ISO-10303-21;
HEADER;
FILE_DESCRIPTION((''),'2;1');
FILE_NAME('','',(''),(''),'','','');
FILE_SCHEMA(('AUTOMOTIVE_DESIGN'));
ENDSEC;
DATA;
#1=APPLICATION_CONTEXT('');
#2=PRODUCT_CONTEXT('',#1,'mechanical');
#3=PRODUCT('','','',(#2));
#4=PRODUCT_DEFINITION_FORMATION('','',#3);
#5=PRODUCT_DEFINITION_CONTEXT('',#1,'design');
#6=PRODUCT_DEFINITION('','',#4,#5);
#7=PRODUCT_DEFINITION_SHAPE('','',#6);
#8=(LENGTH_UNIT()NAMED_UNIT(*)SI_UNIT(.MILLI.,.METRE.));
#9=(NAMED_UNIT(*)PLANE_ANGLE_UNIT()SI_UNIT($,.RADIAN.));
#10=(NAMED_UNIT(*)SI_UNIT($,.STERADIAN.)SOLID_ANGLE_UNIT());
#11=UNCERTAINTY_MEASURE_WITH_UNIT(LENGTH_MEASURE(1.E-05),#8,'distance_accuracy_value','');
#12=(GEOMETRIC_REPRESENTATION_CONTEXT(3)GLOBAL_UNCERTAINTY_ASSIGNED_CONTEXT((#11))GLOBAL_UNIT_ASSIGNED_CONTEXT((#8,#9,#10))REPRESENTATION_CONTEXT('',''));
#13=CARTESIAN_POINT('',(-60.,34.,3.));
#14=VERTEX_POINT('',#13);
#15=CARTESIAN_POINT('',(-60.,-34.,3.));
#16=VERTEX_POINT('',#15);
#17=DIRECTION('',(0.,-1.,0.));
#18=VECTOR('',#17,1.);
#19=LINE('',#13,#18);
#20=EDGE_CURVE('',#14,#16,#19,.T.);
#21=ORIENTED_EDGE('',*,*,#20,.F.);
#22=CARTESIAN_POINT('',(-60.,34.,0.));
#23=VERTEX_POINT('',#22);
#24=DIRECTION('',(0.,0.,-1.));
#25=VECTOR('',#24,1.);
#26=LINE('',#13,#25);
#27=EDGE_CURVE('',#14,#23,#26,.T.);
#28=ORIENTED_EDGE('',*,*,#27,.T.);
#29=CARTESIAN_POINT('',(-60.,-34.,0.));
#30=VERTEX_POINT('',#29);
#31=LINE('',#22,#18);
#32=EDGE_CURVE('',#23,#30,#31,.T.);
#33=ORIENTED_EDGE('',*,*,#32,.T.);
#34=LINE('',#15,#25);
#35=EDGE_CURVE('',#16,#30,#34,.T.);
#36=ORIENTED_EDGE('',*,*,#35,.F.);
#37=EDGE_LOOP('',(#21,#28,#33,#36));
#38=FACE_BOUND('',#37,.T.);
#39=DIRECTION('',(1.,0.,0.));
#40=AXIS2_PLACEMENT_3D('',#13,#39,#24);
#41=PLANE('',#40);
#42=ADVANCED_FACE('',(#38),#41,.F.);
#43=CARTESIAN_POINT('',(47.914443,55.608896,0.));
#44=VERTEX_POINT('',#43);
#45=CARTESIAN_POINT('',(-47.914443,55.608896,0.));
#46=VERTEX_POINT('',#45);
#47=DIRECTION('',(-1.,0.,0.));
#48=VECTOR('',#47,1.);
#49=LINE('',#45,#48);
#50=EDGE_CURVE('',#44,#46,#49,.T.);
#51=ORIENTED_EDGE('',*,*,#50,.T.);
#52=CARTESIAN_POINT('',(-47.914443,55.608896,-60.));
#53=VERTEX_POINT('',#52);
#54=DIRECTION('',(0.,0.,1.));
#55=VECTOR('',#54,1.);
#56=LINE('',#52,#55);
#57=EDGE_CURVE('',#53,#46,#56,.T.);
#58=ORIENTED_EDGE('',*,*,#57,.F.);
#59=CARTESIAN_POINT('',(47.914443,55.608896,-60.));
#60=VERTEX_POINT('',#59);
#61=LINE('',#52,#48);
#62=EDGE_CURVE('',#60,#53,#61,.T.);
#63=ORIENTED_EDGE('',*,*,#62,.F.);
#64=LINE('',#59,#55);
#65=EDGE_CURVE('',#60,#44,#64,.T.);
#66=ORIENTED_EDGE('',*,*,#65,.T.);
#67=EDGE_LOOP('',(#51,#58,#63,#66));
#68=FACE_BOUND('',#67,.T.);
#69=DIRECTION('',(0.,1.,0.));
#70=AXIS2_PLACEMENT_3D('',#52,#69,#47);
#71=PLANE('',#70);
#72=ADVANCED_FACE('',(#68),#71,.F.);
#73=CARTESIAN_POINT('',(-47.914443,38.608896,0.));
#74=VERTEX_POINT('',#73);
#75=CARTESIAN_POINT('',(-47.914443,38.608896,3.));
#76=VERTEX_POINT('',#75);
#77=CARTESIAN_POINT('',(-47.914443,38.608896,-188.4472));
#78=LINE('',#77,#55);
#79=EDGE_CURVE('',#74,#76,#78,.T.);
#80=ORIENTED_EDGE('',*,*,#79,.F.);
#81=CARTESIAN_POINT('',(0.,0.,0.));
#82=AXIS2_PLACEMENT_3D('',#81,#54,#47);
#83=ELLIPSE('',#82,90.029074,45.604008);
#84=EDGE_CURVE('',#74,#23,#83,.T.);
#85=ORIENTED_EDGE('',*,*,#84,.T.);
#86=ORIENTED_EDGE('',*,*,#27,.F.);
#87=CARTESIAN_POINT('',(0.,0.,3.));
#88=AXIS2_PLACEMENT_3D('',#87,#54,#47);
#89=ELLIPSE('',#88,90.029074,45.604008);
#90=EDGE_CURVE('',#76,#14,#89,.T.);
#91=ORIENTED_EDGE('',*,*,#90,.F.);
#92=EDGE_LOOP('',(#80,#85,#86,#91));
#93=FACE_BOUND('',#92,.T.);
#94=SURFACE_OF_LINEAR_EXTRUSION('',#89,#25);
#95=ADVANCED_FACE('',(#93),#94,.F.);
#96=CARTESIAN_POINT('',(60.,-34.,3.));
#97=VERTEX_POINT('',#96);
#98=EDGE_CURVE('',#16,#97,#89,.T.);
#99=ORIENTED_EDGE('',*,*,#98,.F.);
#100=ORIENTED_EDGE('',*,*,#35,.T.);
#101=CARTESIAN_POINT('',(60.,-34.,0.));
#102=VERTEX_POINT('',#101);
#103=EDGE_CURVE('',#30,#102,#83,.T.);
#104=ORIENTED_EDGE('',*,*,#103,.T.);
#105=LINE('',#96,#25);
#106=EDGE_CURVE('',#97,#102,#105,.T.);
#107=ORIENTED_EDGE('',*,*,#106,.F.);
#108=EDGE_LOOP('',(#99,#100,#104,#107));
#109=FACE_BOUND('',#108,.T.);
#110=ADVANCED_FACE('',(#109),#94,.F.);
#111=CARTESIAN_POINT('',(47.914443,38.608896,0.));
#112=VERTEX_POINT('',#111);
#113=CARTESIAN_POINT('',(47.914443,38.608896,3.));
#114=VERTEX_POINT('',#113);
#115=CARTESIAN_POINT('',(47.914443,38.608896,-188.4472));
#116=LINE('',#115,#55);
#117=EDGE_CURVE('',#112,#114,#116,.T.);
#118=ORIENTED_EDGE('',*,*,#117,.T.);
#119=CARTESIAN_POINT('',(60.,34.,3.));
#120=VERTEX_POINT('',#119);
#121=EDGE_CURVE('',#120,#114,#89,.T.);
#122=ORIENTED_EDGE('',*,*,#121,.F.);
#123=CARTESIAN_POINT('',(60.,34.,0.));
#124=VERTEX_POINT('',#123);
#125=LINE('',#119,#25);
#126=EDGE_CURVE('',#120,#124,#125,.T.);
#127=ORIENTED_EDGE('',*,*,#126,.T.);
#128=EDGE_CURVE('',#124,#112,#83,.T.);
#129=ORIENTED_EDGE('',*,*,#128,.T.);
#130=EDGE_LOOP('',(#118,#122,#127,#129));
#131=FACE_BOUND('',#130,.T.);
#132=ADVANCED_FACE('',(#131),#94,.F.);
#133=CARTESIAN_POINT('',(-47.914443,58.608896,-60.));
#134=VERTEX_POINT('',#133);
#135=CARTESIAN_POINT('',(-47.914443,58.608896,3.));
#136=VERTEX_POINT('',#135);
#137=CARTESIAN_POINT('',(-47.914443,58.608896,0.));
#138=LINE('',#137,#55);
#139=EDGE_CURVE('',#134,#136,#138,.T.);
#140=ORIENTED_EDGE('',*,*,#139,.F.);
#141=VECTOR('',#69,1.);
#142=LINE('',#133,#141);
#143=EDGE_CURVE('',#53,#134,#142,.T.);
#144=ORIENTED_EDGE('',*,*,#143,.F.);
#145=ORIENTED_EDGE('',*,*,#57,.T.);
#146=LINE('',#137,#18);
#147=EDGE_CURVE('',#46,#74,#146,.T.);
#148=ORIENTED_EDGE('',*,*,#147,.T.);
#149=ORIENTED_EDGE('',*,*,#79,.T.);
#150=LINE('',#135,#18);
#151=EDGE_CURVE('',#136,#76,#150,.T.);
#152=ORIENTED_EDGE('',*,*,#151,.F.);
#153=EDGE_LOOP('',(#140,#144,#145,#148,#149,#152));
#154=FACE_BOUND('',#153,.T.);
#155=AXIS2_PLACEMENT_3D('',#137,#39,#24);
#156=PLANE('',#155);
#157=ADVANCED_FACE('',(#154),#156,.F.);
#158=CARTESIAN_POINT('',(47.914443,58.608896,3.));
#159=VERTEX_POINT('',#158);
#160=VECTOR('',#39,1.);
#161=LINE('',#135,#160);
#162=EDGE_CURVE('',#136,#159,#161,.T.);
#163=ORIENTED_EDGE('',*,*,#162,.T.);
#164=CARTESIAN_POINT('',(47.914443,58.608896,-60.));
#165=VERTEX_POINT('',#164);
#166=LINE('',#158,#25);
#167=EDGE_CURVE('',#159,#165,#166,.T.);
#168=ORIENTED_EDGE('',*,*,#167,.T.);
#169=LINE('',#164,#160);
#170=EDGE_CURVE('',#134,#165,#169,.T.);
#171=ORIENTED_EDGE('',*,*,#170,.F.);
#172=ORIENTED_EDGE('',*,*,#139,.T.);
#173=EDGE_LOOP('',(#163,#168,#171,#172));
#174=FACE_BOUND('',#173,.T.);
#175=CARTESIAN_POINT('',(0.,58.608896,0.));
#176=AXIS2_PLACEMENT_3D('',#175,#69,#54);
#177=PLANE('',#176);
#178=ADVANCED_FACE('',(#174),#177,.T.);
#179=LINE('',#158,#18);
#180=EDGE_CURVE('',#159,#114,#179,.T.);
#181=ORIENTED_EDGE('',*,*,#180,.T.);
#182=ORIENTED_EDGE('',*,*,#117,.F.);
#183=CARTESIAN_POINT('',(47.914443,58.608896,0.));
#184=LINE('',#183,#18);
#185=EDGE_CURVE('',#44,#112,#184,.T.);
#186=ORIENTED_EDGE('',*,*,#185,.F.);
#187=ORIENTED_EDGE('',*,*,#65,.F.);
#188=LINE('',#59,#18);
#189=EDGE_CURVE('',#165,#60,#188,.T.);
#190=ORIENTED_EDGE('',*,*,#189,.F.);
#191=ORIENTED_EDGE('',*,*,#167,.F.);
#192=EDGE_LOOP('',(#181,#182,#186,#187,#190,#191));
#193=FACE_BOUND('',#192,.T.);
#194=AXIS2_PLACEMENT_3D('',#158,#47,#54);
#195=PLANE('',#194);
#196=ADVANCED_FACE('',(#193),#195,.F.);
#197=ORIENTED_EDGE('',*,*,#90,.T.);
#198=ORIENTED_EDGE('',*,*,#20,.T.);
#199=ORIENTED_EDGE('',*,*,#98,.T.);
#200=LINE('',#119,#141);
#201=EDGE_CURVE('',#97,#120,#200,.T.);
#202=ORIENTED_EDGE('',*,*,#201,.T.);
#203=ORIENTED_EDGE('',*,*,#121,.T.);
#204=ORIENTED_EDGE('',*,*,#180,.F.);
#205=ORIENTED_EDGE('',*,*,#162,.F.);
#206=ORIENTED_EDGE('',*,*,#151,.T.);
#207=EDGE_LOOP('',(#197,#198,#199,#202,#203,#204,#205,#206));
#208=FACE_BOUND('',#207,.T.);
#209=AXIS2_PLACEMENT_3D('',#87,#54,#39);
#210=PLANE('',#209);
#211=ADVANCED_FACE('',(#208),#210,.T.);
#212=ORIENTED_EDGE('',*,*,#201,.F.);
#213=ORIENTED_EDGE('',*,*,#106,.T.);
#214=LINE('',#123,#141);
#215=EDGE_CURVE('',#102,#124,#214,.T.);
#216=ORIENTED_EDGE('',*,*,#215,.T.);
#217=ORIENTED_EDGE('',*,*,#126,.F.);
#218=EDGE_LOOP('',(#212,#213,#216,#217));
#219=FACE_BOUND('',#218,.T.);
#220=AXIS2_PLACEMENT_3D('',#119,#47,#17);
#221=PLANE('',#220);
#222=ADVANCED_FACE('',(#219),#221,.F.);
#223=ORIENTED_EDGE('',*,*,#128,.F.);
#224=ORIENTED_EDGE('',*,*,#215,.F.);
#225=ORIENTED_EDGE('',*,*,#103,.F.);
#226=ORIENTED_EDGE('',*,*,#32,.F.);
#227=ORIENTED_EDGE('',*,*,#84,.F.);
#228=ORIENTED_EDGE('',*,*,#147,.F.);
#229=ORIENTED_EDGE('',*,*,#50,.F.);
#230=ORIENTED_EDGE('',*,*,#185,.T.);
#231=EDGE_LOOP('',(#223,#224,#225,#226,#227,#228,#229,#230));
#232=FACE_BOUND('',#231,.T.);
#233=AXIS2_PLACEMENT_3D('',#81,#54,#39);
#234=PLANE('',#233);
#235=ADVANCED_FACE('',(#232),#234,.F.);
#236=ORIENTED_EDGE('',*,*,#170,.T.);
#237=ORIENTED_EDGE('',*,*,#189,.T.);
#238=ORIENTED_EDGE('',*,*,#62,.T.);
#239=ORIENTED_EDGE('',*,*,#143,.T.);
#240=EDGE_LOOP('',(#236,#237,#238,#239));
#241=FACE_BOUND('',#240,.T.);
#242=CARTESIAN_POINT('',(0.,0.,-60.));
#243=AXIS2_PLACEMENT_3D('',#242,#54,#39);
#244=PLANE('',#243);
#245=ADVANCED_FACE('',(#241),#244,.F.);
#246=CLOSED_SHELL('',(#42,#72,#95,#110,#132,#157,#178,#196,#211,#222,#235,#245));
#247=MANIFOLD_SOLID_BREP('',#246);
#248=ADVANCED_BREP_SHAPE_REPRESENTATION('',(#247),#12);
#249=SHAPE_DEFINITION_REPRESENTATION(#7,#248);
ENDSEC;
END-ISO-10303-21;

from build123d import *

# Parameters (mm, degrees)
EXTRUDE_1_DEPTH           = 3
CUT_EXTRUDE_10_DEPTH      = 76.423640864
CUT_EXTRUDE_10_DEPTH_BACK = 3
SKETCH_9_W                = 95.828885904
SKETCH_9_H                = 3
EXTRUDE_2_DEPTH           = 20
SKETCH_10_W               = 95.828885904
SKETCH_10_H               = 3
EXTRUDE_3_DEPTH           = 60


with BuildPart() as part:
    # 草图1 → 凸台-拉伸1 (new body)
    with BuildSketch(Plane.XY):
        with BuildLine():
            Line((-60, 34), (-60, -34))
            add(Edge.make_bspline(
                [(-60, -34), (0, -61.168399395), (60, -34)],
                knots=[0.841357477, 0.841357477, 0.841357477, 2.300235176, 2.300235176, 2.300235176], degree=2, weights=[1, 0.745548499, 1]))
            Line((60, -34), (60, 34))
            add(Edge.make_bspline(
                [(60, 34), (0, 61.168399395), (-60, 34)],
                knots=[3.982950131, 3.982950131, 3.982950131, 5.44182783, 5.44182783, 5.44182783], degree=2, weights=[1, 0.745548499, 1]))
        make_face()
    extrude(amount=EXTRUDE_1_DEPTH)

    # 草图7 → 切除-拉伸10 (cut, two sides: drawn at the far end of the back side and taken through both)
    with BuildSketch(Plane(origin=(0, 0, 0), x_dir=(-1, 0, 0), z_dir=(0, 0, -1)).offset(-CUT_EXTRUDE_10_DEPTH_BACK)):
        with BuildLine():
            Line((-47.914442952, 38.608895735), (-0.047490379, 38.608895735))
            Line((-0.047490379, 38.608895735), (47.914442952, 38.608895735))
            add(Edge.make_bspline(
                [(-47.914442952, 38.608895735), (0, 53.86648698), (47.914442952, 38.608895735)],
                knots=[4.161758339, 4.161758339, 4.161758339, 5.263019622, 5.263019622, 5.263019622], degree=2, weights=[0.945270908, 0.800277591, 0.945270908]))
        make_face()
    extrude(amount=CUT_EXTRUDE_10_DEPTH + CUT_EXTRUDE_10_DEPTH_BACK, mode=Mode.SUBTRACT)

    # 草图9 → 凸台-拉伸2 (add)
    with BuildSketch(Plane(origin=(0, 38.608895735, 0), x_dir=(1, 0, 0), z_dir=(0, 1, 0))):
        with Locations((0, -1.5)):
            Rectangle(SKETCH_9_W, SKETCH_9_H)
    extrude(amount=EXTRUDE_2_DEPTH)

    # 草图10 → 凸台-拉伸3 (add)
    with BuildSketch(Plane(origin=(0, 0, 0), x_dir=(-1, 0, 0), z_dir=(0, 0, -1))):
        with Locations((0, 57.108895735)):
            Rectangle(SKETCH_10_W, SKETCH_10_H)
    extrude(amount=EXTRUDE_3_DEPTH)


solid = part.part
